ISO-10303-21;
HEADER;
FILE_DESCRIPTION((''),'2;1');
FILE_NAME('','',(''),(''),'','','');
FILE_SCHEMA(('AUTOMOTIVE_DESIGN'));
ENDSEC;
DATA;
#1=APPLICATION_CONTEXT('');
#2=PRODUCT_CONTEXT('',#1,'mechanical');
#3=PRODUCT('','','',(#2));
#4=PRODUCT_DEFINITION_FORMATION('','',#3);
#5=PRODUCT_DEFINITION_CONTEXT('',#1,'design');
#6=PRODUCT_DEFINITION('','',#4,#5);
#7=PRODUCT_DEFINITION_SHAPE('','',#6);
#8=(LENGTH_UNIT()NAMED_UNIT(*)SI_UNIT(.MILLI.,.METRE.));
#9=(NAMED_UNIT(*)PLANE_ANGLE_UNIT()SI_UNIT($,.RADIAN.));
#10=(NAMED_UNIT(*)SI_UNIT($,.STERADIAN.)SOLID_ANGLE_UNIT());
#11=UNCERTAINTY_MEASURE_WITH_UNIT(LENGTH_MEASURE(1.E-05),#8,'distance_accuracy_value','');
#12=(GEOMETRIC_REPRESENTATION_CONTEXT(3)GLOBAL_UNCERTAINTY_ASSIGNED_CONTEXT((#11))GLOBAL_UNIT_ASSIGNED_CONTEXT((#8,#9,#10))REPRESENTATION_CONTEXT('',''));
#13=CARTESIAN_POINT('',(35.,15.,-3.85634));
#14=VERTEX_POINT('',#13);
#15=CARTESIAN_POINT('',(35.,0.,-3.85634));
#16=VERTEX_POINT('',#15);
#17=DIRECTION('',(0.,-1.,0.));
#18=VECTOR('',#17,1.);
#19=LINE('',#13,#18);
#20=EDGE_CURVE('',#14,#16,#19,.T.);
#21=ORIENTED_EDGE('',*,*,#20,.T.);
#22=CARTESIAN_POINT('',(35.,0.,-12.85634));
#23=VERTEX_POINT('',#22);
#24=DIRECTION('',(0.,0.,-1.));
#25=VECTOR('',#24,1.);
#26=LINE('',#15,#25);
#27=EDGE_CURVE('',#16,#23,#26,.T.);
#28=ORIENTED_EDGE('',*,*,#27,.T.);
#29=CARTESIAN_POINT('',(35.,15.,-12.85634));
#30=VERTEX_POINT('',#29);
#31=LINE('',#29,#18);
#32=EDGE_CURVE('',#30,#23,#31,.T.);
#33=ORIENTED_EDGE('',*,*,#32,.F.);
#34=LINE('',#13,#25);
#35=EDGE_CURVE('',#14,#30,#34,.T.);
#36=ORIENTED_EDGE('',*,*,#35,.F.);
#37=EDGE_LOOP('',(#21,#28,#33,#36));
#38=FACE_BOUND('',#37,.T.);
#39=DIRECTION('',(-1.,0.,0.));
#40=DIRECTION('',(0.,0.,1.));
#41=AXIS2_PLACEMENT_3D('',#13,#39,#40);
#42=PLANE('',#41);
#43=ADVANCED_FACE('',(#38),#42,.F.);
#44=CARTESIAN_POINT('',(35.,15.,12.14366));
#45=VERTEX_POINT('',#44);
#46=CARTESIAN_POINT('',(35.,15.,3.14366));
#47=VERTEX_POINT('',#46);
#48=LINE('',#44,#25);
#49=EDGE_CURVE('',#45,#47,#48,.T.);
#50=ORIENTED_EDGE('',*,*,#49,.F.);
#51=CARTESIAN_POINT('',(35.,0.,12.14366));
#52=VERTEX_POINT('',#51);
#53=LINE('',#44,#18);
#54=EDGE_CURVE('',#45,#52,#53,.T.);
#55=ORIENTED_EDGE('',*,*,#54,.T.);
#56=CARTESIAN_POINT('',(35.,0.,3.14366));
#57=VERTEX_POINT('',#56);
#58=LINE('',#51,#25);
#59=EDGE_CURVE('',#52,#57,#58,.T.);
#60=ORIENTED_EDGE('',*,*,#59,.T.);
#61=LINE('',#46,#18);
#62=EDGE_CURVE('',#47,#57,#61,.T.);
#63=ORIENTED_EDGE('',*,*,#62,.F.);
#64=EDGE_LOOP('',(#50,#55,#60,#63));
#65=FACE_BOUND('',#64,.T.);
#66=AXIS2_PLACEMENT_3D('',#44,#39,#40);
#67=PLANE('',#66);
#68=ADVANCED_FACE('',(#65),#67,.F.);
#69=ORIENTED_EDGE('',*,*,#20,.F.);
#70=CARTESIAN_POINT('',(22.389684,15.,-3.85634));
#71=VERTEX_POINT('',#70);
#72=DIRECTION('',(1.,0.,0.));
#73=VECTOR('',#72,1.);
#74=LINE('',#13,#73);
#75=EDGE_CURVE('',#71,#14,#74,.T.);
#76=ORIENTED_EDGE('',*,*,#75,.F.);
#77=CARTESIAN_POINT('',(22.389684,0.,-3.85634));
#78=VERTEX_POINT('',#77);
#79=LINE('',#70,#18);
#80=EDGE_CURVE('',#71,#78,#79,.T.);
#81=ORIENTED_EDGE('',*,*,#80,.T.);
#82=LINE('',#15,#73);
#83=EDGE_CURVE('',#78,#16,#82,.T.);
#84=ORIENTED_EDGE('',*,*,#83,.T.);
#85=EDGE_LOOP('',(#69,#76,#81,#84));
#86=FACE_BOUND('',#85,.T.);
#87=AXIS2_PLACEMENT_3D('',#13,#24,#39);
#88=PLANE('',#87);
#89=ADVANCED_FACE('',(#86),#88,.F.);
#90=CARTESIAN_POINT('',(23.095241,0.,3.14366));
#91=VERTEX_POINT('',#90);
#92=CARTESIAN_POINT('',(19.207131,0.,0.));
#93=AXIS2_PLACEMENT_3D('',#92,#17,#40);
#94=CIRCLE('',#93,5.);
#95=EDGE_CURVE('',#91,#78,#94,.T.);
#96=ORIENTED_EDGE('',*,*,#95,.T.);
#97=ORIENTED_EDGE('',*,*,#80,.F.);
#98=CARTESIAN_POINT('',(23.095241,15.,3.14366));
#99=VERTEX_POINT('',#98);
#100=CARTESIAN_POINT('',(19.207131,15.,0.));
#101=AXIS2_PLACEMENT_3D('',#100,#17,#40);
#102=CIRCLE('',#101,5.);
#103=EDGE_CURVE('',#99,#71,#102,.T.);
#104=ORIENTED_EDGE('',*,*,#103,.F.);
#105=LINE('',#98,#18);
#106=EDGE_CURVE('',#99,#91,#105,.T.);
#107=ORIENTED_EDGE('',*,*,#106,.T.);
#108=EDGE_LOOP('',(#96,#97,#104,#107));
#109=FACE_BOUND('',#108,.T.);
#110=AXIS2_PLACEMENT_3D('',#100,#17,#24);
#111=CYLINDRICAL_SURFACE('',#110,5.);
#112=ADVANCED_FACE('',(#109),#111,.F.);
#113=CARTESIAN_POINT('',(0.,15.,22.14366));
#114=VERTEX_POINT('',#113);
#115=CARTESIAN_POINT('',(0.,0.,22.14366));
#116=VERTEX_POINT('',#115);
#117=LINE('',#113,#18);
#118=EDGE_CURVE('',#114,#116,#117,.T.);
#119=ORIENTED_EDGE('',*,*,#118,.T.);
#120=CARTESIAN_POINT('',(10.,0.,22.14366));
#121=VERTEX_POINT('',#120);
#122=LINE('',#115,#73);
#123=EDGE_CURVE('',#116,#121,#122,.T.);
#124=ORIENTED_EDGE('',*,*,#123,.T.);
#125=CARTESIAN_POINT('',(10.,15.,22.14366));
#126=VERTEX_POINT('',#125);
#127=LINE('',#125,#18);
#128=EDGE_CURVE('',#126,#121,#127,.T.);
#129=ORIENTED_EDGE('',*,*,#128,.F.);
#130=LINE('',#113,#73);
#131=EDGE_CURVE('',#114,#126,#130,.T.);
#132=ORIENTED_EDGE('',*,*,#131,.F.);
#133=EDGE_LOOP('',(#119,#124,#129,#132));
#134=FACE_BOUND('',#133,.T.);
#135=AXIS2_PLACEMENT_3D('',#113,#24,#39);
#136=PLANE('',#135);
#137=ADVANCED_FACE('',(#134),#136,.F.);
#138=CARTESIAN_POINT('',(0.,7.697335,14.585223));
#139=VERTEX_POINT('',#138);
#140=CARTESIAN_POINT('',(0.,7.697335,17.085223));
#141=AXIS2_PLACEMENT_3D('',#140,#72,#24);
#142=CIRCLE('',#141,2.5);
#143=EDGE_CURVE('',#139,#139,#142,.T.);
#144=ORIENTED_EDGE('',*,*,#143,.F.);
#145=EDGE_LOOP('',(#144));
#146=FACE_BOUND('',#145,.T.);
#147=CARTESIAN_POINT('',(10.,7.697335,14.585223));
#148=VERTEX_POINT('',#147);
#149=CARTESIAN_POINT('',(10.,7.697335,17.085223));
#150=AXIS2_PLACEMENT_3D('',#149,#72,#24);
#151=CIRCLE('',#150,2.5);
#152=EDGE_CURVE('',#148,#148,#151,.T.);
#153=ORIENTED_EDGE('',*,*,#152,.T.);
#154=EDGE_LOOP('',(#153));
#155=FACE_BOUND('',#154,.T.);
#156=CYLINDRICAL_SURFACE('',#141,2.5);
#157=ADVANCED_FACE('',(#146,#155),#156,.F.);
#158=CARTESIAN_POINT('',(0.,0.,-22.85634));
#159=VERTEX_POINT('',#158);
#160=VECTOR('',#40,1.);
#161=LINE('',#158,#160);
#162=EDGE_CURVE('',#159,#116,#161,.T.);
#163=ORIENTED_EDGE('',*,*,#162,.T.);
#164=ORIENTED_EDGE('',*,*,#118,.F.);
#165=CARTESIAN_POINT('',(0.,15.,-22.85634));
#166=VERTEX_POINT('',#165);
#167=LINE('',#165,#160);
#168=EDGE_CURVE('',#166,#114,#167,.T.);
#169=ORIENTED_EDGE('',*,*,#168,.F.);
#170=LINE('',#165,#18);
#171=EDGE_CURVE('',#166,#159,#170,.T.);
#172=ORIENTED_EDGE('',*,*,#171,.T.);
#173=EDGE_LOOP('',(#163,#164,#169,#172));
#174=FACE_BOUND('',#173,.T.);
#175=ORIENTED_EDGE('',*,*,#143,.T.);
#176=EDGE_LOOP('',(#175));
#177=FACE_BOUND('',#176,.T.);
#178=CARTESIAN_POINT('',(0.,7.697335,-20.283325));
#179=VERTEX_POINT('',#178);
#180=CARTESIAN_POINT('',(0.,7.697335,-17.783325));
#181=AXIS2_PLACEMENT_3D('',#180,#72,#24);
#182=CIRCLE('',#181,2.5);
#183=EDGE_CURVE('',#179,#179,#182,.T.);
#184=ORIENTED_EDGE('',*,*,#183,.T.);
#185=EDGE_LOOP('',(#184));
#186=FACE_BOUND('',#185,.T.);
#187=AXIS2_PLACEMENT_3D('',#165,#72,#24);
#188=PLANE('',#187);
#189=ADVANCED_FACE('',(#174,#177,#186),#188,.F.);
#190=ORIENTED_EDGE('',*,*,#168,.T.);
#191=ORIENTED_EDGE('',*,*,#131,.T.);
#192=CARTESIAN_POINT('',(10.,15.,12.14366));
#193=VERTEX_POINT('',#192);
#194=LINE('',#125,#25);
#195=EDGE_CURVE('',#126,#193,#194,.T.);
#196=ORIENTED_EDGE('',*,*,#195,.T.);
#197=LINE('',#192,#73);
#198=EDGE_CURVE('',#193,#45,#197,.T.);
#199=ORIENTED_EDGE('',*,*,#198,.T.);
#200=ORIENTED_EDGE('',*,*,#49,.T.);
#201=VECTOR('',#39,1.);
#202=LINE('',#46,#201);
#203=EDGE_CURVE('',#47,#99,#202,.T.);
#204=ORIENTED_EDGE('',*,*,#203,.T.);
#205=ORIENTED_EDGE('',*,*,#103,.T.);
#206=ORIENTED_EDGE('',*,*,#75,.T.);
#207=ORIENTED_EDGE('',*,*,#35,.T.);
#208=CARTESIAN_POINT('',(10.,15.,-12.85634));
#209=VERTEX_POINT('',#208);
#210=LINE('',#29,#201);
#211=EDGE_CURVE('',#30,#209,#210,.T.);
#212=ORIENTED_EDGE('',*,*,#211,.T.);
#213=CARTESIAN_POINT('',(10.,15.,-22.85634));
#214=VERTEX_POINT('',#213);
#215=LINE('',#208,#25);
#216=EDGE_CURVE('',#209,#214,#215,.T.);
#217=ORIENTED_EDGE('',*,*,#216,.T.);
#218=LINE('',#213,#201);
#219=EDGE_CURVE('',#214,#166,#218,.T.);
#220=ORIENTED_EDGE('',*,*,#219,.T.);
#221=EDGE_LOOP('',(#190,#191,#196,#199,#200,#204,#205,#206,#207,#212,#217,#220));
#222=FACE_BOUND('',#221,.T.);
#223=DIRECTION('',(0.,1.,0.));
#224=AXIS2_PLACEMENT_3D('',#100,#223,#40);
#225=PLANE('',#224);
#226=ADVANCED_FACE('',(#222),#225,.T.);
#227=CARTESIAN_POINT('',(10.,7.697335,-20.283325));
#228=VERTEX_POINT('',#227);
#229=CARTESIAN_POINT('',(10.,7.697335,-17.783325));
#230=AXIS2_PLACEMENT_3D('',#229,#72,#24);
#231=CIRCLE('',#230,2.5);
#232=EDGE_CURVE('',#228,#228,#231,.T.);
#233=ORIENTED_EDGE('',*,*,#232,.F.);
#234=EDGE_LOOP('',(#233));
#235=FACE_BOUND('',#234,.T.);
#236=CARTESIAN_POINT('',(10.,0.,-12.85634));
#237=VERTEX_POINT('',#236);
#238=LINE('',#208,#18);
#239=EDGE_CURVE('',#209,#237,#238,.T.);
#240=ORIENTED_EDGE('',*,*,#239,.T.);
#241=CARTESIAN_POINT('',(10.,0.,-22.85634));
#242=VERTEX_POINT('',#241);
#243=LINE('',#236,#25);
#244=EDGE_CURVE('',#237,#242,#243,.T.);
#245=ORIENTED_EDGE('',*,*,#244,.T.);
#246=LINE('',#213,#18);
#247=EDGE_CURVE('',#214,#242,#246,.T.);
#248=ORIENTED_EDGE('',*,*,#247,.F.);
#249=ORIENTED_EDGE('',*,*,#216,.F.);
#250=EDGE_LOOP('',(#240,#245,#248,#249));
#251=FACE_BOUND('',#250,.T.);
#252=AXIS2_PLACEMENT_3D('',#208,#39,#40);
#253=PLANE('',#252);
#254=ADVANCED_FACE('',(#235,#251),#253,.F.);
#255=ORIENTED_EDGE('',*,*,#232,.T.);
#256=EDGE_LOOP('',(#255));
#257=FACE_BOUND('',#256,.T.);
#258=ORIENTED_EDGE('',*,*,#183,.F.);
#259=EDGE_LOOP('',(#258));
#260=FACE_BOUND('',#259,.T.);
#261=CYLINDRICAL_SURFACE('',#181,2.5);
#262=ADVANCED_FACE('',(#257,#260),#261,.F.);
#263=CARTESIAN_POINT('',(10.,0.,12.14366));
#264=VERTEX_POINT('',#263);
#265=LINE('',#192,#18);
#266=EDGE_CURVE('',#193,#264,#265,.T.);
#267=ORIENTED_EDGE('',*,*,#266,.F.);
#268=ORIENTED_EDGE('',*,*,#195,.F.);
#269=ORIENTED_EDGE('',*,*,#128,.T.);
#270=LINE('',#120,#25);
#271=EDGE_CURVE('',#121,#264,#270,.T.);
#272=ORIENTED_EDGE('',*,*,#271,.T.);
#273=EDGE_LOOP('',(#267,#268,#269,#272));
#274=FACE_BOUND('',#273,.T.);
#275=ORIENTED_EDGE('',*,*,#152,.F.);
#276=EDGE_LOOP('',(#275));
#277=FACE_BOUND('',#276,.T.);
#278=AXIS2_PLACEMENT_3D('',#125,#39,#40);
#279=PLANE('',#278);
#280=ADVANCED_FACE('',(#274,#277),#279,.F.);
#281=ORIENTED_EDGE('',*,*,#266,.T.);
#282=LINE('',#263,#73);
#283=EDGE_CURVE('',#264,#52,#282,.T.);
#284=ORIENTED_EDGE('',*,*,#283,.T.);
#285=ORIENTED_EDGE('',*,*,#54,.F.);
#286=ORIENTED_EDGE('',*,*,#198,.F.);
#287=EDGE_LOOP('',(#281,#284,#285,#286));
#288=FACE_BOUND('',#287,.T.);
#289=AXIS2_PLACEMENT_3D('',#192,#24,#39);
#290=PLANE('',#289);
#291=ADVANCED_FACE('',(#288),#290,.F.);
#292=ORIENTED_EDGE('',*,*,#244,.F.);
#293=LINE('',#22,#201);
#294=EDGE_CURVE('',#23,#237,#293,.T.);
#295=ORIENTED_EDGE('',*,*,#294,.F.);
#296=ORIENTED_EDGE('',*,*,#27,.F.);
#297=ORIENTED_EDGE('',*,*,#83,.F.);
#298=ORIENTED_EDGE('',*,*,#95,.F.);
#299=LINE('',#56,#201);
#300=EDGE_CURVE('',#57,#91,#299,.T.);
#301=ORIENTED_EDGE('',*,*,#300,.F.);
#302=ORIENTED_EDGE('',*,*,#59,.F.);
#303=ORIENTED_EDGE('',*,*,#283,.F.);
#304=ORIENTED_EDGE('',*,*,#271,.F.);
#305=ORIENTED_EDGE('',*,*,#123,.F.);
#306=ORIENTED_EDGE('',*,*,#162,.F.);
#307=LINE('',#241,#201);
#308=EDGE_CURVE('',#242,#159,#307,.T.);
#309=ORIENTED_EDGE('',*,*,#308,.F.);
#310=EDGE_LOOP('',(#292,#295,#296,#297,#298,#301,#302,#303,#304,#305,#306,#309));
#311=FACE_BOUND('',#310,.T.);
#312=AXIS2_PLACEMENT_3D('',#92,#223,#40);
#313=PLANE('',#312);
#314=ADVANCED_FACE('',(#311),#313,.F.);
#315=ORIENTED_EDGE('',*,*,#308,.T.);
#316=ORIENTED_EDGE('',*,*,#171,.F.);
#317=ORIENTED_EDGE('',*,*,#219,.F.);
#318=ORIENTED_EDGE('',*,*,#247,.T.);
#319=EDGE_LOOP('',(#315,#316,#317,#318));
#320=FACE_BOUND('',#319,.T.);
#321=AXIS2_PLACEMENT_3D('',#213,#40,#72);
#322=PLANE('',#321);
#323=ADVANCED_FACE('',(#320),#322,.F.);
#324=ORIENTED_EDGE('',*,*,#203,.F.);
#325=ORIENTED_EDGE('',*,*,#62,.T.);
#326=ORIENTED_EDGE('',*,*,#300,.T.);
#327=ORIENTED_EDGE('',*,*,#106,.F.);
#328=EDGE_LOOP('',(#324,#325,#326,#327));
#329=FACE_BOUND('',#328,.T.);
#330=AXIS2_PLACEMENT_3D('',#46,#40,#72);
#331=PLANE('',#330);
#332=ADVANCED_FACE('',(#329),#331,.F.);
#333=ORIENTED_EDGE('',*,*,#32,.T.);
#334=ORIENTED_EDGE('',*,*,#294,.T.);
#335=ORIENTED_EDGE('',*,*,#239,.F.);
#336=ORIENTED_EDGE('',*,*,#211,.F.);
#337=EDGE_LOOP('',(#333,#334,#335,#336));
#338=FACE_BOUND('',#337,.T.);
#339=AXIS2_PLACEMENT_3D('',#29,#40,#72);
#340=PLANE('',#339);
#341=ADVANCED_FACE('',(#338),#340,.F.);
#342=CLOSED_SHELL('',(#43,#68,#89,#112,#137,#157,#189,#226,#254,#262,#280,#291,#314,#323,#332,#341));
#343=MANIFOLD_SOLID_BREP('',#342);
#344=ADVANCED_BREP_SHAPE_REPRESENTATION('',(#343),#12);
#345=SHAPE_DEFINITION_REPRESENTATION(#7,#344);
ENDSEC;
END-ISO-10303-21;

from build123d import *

# Parameters (mm, degrees)
BOSS_EXTRUDE1_DEPTH = 15
SKETCH5_R           = 2.5
CUT_EXTRUDE1_DEPTH  = 10


with BuildPart() as part:
    # Sketch1 → Boss-Extrude1 (new body)
    with BuildSketch(Plane(origin=(0, 0, 0), x_dir=(1, 0, 0), z_dir=(0, 1, 0))):
        with BuildLine():
            Line((0, 22.856339564), (0, -22.143660436))
            Line((0, -22.143660436), (10, -22.143660436))
            Line((10, -22.143660436), (10, -12.143660436))
            Line((10, -12.143660436), (35, -12.143660436))
            Line((35, -12.143660436), (35, -3.143660436))
            Line((35, -3.143660436), (23.095240671, -3.143660436))
            ThreePointArc((23.095240671, -3.143660436), (14.232337293, -0.501428414), (22.389683957, 3.856339564))
            Line((22.389683957, 3.856339564), (35, 3.856339564))
            Line((35, 3.856339564), (35, 12.856339564))
            Line((35, 12.856339564), (10, 12.856339564))
            Line((10, 12.856339564), (10, 22.856339564))
            Line((10, 22.856339564), (0, 22.856339564))
        make_face()
    extrude(amount=BOSS_EXTRUDE1_DEPTH)

    # Sketch5 → Cut-Extrude1 (cut)
    with BuildSketch(Plane(origin=(10, 0, 0), x_dir=(0, 0, -1), z_dir=(1, 0, 0))):
        with Locations((-17.085223361, 7.697334505)):
            Circle(SKETCH5_R)
        with Locations((17.783324683, 7.697334505)):
            Circle(SKETCH5_R)
    extrude(amount=-CUT_EXTRUDE1_DEPTH, mode=Mode.SUBTRACT)


solid = part.part
